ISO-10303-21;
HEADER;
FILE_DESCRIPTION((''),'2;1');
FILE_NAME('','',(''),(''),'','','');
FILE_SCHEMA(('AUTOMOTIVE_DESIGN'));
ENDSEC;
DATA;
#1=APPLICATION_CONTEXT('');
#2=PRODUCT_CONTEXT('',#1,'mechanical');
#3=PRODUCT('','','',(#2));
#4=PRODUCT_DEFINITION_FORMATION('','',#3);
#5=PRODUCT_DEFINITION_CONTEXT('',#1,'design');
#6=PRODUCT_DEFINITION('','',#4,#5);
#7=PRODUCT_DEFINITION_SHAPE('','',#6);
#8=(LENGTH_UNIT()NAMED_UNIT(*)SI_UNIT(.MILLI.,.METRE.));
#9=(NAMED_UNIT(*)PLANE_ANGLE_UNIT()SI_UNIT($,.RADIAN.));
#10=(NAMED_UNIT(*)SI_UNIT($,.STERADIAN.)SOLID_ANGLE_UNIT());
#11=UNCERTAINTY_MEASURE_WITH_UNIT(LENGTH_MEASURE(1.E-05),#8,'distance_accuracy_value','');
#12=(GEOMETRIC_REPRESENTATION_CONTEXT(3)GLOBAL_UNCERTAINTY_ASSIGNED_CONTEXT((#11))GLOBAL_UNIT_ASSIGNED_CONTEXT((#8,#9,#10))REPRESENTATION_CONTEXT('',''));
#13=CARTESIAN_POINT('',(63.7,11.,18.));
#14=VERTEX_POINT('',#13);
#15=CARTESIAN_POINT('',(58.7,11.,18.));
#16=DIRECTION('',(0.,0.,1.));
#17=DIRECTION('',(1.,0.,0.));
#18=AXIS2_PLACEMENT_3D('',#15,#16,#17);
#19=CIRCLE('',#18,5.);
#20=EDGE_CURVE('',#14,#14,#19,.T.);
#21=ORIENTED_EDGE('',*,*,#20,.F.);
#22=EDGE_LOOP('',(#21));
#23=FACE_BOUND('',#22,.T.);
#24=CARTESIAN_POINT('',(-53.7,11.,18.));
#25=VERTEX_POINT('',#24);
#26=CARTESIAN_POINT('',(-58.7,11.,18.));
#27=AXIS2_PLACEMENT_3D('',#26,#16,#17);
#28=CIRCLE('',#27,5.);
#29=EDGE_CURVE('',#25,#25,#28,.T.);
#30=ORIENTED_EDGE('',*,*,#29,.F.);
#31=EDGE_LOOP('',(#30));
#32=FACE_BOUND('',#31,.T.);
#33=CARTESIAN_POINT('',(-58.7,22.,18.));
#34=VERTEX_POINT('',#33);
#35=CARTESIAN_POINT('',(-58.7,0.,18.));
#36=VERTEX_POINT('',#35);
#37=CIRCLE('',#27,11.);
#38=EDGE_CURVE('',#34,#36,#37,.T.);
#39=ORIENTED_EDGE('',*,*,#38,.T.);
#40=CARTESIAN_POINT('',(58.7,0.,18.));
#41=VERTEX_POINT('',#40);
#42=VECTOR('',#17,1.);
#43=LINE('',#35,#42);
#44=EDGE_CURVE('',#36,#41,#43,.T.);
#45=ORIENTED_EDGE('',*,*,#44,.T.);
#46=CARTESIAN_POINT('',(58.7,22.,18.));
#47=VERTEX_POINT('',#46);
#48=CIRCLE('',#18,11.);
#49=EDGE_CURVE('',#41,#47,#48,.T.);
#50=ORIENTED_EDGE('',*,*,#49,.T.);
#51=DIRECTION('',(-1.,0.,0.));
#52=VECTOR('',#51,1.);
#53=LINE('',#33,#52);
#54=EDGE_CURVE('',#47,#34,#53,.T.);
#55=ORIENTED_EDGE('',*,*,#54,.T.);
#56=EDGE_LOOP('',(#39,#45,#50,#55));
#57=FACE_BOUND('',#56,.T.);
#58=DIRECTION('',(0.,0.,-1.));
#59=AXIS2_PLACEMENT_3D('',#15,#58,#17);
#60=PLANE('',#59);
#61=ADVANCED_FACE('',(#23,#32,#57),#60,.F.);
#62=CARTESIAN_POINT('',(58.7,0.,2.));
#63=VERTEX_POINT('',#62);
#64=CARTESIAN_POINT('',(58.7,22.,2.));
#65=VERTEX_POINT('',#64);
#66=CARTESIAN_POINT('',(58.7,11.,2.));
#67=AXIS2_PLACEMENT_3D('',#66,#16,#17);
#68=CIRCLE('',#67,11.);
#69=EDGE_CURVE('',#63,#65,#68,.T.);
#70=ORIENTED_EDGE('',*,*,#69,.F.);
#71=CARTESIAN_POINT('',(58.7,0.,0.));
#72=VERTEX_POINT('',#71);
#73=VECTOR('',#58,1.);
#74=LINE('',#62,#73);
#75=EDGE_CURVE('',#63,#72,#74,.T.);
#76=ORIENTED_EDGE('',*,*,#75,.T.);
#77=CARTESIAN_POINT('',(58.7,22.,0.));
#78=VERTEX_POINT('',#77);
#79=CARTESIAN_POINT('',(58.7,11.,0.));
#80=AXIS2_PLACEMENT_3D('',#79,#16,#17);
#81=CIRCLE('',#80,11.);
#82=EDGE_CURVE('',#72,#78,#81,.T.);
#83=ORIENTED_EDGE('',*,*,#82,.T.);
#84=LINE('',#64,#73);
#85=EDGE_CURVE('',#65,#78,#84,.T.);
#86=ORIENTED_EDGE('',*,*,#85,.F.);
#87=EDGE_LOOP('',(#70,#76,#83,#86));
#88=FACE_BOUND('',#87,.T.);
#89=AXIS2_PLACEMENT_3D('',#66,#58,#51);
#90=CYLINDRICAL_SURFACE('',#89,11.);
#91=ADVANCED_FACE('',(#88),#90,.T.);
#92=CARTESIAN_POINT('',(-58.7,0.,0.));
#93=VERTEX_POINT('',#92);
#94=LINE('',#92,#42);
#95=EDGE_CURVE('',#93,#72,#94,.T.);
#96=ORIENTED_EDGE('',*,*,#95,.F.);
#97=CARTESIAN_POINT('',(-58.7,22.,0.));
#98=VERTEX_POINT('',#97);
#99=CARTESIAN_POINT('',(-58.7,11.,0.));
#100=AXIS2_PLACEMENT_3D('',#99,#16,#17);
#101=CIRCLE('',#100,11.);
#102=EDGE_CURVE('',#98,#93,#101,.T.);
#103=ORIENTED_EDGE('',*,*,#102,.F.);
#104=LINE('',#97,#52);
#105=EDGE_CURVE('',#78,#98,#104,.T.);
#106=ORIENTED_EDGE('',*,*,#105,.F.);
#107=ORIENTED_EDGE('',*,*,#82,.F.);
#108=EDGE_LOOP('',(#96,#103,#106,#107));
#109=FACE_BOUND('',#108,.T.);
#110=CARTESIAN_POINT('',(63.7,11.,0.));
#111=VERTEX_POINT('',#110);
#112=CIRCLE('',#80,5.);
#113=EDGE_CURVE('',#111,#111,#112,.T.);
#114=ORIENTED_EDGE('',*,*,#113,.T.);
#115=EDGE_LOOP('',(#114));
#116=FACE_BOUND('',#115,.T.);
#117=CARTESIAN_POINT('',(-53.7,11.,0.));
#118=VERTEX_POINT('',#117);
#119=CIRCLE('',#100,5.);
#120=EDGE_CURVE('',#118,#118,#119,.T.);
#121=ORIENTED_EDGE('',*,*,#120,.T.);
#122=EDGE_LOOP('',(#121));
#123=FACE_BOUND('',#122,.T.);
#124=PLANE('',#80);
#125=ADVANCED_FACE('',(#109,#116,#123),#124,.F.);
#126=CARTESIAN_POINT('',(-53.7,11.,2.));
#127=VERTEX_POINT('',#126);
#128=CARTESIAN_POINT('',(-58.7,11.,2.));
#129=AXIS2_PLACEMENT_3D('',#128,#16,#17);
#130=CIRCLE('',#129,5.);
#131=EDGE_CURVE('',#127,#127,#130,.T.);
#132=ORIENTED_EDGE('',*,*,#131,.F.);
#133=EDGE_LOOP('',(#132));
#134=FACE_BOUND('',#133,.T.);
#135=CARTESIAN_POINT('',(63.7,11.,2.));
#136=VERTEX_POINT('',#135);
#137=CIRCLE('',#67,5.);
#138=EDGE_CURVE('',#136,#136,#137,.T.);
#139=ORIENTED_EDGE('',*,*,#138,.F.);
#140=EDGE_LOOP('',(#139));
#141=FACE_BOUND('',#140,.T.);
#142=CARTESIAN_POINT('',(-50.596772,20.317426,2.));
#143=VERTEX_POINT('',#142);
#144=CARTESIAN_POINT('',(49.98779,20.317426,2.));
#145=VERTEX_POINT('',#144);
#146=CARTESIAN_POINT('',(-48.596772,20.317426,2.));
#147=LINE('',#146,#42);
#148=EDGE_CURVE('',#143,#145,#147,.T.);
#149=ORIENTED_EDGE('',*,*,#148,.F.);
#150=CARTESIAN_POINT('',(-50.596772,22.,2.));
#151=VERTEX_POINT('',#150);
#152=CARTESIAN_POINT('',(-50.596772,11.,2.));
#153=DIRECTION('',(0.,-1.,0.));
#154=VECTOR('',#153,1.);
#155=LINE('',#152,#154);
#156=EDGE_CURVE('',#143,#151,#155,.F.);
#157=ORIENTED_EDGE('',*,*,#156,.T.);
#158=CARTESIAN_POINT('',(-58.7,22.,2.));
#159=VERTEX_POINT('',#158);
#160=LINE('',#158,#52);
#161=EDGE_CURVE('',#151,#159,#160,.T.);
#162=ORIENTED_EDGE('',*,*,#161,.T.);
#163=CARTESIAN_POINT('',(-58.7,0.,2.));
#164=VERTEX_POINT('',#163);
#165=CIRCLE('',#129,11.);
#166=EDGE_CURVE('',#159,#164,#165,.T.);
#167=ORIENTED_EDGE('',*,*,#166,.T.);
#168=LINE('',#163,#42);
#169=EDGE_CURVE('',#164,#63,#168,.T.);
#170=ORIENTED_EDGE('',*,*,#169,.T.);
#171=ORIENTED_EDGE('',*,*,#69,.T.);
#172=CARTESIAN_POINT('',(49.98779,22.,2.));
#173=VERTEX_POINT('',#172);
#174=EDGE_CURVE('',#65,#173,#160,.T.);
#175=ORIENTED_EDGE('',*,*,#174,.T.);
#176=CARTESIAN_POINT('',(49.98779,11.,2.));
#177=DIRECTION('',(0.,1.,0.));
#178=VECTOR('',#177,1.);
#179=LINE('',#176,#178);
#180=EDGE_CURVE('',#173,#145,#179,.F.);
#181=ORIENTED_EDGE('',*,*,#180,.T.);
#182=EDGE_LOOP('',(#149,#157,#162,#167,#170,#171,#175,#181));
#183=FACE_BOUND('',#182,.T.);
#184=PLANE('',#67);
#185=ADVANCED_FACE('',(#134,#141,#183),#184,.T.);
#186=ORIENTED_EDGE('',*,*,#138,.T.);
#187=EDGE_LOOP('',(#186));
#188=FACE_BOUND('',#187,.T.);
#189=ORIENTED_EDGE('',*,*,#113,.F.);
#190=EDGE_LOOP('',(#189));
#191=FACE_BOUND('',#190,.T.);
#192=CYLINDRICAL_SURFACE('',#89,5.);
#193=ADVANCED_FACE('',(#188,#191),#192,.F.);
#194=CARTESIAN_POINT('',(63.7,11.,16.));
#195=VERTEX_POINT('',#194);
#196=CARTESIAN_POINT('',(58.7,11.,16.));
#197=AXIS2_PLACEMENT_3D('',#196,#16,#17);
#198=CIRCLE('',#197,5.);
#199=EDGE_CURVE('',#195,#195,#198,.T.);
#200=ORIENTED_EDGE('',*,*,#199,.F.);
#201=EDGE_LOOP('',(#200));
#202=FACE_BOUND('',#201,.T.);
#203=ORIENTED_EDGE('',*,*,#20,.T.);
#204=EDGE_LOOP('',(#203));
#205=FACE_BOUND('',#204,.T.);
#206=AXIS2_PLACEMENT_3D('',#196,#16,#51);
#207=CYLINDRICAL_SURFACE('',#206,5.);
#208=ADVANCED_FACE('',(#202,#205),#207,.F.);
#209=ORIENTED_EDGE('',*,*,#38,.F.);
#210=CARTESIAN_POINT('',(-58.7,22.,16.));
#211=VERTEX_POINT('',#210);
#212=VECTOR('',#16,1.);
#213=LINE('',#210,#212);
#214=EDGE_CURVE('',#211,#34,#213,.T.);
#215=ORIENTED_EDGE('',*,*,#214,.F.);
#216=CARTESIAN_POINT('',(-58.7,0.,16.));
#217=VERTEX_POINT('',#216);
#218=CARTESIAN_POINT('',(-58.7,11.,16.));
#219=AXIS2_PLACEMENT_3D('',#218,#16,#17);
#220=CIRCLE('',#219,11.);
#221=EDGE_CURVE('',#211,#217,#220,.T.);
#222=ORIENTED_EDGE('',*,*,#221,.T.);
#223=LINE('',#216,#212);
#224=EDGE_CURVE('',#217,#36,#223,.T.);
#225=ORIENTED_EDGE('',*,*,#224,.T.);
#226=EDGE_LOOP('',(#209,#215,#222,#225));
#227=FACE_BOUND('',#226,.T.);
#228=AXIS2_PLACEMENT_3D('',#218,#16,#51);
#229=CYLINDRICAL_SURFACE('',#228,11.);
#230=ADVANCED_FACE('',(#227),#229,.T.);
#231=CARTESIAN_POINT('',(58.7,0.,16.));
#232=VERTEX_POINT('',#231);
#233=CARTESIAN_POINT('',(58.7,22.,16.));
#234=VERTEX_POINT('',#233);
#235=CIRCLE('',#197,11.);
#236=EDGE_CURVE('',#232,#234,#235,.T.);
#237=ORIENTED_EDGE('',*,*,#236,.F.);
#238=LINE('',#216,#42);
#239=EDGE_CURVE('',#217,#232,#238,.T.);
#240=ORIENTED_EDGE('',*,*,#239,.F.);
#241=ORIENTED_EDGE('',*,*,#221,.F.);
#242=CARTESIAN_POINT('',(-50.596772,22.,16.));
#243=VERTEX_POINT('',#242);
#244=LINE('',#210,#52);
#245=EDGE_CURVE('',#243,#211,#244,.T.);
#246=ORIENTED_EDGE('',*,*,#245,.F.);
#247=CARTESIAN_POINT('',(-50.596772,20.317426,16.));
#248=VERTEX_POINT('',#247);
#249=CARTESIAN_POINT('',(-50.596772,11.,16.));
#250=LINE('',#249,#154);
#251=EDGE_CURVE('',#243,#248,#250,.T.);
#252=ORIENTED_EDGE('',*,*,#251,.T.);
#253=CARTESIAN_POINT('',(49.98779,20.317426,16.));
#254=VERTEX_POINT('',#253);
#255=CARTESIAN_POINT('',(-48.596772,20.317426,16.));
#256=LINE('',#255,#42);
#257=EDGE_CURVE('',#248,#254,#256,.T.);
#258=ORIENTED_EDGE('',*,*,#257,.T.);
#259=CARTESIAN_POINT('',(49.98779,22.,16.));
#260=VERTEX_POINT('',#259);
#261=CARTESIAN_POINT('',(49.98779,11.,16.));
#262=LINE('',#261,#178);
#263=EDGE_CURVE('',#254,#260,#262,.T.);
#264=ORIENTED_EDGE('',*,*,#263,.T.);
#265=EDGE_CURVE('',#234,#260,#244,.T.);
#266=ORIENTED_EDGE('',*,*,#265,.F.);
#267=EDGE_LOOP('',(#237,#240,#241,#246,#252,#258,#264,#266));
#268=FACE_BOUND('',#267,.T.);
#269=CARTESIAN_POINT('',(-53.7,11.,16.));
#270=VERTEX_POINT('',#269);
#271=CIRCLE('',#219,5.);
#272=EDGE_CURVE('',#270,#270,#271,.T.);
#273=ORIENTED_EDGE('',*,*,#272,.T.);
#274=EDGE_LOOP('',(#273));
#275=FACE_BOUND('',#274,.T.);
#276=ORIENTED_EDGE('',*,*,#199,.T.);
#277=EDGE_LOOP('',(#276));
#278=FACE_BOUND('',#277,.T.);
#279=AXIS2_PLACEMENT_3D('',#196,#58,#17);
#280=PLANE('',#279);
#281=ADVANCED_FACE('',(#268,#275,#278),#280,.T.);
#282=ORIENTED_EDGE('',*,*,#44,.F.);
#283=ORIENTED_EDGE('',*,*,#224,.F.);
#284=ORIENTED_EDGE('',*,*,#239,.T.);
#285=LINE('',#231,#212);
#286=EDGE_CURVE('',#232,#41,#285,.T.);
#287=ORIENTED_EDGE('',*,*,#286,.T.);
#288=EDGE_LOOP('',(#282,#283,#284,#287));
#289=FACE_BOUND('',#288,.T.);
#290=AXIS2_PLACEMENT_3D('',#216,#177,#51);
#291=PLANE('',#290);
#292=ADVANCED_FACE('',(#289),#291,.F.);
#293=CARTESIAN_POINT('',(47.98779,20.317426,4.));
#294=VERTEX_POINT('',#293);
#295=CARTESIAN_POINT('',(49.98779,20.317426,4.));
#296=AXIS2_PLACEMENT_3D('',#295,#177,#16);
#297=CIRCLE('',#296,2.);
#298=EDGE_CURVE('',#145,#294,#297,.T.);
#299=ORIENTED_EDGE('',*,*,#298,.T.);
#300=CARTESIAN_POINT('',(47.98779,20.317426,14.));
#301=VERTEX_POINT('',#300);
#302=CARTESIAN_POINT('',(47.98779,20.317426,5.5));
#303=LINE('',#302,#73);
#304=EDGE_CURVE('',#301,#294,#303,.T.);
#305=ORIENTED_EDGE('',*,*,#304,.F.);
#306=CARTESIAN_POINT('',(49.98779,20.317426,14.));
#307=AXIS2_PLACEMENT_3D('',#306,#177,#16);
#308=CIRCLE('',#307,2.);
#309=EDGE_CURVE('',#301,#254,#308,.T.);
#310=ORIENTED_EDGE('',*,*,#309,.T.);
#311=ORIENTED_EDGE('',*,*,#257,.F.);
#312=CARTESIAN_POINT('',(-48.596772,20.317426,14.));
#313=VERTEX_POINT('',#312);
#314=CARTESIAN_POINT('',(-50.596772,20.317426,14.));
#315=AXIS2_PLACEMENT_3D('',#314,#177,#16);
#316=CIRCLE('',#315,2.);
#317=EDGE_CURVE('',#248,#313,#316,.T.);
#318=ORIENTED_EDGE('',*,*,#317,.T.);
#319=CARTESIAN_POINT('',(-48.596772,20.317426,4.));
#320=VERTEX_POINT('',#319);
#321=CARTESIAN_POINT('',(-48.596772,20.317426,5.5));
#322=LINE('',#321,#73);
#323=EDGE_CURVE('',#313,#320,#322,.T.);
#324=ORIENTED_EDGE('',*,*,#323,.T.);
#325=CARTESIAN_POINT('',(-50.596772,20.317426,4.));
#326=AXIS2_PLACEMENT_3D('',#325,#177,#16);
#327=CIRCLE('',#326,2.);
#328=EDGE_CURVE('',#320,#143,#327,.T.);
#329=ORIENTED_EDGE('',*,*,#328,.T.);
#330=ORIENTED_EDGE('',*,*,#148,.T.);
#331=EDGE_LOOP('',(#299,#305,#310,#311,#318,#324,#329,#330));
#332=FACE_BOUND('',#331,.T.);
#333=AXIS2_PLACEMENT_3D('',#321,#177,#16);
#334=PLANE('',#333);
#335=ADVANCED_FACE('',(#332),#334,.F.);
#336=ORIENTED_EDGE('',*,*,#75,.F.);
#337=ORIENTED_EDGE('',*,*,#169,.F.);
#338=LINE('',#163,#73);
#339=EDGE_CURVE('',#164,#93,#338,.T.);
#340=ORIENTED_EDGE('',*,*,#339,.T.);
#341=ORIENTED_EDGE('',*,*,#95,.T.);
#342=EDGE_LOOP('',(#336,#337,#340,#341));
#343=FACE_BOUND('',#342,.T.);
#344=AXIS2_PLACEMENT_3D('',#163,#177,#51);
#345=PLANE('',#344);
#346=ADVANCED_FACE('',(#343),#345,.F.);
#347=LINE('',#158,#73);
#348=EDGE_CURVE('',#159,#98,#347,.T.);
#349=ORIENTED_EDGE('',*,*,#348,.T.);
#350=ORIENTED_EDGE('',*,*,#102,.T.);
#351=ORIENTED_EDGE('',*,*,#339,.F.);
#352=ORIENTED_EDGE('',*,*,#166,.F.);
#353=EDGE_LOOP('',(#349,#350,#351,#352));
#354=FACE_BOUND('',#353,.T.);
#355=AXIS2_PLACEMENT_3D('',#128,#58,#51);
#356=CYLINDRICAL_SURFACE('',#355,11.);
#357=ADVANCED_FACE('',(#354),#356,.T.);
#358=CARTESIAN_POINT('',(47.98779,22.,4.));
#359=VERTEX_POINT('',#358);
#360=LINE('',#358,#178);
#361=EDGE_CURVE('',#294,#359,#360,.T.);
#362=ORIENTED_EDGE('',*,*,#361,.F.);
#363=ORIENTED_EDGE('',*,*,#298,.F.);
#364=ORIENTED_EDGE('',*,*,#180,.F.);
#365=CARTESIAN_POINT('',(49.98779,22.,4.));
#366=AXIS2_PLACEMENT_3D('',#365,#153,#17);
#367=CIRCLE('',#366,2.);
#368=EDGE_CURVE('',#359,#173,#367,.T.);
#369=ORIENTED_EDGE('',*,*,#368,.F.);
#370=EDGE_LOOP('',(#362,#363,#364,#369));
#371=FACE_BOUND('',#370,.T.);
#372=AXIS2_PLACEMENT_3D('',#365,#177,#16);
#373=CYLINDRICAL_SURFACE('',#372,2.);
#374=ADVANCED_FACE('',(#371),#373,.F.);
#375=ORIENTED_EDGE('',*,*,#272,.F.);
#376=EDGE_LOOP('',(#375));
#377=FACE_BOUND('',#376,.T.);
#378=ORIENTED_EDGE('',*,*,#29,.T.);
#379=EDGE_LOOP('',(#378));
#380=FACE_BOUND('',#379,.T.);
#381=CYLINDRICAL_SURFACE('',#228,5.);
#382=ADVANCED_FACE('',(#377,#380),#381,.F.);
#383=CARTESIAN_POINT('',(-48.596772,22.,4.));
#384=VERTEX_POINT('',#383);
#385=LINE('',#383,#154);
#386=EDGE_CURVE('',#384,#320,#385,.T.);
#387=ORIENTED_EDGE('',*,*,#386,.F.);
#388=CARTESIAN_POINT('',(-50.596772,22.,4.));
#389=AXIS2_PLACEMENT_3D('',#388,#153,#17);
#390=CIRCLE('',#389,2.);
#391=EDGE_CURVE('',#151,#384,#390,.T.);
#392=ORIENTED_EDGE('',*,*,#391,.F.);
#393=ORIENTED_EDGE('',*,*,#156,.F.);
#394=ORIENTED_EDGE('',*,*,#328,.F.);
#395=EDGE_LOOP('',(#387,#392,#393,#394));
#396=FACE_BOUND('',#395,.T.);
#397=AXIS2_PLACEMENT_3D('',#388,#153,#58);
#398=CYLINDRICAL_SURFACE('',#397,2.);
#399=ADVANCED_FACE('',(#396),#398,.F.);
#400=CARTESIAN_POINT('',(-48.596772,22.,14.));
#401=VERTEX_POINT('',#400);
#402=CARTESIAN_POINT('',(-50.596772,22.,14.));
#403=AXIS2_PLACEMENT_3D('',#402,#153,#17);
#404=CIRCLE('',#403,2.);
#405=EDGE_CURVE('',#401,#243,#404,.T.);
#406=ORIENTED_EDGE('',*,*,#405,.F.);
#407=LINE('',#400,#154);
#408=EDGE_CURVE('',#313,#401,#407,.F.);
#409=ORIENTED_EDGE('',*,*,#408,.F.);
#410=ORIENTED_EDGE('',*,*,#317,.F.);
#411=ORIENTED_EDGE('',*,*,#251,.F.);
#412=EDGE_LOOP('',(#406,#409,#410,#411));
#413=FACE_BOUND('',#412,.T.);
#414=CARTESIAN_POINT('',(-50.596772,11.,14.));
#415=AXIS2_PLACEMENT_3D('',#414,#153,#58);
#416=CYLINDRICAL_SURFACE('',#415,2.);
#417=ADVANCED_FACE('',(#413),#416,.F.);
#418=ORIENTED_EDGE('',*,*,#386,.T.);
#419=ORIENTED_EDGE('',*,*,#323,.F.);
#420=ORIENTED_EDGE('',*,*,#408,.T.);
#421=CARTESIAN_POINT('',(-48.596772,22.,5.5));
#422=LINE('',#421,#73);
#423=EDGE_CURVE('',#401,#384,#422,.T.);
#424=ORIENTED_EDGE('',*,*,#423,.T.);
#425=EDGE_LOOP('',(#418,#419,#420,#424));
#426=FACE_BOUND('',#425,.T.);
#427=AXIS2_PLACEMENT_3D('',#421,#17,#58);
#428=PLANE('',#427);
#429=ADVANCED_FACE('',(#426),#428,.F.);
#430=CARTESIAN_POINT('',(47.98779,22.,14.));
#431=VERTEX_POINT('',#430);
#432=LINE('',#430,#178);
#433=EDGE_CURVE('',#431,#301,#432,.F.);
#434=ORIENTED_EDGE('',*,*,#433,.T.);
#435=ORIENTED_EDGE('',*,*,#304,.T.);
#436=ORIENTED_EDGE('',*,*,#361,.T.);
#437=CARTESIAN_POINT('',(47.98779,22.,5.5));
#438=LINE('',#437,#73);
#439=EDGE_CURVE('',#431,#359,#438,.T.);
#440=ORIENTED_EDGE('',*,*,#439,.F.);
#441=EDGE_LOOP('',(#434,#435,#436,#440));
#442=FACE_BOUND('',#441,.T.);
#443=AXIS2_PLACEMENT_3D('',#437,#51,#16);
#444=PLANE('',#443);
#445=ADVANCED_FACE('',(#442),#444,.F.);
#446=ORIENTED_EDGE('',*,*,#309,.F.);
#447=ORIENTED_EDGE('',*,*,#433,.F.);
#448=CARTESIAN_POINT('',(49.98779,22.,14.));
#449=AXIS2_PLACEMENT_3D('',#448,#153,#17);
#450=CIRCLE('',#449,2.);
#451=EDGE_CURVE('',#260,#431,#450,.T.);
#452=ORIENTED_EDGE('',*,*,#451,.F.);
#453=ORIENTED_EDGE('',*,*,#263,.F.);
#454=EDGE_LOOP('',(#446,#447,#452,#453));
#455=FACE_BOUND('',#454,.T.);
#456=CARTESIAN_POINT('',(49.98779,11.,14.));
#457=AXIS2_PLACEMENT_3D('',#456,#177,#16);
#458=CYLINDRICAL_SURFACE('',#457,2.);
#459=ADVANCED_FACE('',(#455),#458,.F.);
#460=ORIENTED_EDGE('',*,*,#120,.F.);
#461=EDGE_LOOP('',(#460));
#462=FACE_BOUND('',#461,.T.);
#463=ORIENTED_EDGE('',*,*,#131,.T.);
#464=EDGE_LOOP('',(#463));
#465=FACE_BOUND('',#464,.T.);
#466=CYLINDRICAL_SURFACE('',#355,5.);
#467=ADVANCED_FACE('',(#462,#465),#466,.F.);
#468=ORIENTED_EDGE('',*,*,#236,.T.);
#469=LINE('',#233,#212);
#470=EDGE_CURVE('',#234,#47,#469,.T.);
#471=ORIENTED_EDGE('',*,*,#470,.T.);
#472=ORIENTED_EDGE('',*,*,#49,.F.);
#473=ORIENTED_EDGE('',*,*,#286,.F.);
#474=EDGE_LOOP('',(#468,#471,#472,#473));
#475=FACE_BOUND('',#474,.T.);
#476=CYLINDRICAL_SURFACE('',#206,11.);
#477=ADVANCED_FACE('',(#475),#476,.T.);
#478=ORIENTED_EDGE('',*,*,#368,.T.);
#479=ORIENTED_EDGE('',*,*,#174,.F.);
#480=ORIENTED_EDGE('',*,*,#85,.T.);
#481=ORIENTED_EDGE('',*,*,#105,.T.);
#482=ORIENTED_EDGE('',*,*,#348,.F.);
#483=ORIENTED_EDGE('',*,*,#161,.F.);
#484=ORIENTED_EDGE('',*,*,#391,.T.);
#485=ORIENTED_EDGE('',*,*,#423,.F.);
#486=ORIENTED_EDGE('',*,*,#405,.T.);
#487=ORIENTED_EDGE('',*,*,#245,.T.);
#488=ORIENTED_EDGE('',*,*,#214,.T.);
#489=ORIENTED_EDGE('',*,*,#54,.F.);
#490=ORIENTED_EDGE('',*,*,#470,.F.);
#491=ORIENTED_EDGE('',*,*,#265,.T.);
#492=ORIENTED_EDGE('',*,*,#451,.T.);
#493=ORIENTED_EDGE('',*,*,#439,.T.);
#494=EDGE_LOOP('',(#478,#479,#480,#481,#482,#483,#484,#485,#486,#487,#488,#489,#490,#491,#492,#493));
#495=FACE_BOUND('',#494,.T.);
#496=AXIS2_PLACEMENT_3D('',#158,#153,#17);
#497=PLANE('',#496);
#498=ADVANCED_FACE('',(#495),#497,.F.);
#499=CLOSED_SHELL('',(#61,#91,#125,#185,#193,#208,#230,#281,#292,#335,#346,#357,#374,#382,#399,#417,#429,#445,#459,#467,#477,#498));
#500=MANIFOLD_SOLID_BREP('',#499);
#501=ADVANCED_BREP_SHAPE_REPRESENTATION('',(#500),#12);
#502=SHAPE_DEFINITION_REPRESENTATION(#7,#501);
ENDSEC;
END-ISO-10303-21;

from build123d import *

# Parameters (mm, degrees)
SKETCH1_R           = 5
BOSS_EXTRUDE1_DEPTH = 2
SKETCH2_W           = 96.58456166
SKETCH2_H           = 1.682573812
BOSS_EXTRUDE2_DEPTH = 3.5
FILLET1_R           = 2


with BuildPart() as part:
    # Sketch1 → Boss-Extrude1 (new body)
    with BuildSketch(Plane.XY):
        with BuildLine():
            Line((-58.7, 0), (58.7, 0))
            ThreePointArc((58.7, 0), (69.7, 11), (58.7, 22))
            Line((58.7, 22), (-58.7, 22))
            ThreePointArc((-58.7, 22), (-69.7, 11), (-58.7, 0))
        make_face()
        with Locations((-58.7, 11)):
            Circle(SKETCH1_R, mode=Mode.SUBTRACT)
        with Locations((58.7, 11)):
            Circle(SKETCH1_R, mode=Mode.SUBTRACT)
    extrude(amount=BOSS_EXTRUDE1_DEPTH)

    # Sketch2 → Boss-Extrude2 (add)
    with BuildSketch(Plane.XY.offset(2)):
        with Locations((-0.304491052, 21.158713094)):
            Rectangle(SKETCH2_W, SKETCH2_H)
    boss_extrude2 = extrude(amount=BOSS_EXTRUDE2_DEPTH)

    # Mirror1: Boss-Extrude2 across plane
    add(boss_extrude2.mirror(Plane.XY.offset(5.5)))

    # Mirror2: part across plane


with BuildPart() as part_1:
    add(part.part)
    add(part.part.mirror(Plane(origin=(0, 0, 9), x_dir=(1, 0, 0), z_dir=(0, 0, -1))))

    # Fillet1
    fillet1_edges = [part_1.edges().sort_by_distance(p)[0] for p in [
        (-48.596771882, 21.158713094, 2),
        (47.987789778, 21.158713094, 2),
        (-48.596771882, 21.158713094, 16),
        (47.987789778, 21.158713094, 16),
    ]]
    fillet(fillet1_edges, radius=FILLET1_R)


solid = part_1.part
